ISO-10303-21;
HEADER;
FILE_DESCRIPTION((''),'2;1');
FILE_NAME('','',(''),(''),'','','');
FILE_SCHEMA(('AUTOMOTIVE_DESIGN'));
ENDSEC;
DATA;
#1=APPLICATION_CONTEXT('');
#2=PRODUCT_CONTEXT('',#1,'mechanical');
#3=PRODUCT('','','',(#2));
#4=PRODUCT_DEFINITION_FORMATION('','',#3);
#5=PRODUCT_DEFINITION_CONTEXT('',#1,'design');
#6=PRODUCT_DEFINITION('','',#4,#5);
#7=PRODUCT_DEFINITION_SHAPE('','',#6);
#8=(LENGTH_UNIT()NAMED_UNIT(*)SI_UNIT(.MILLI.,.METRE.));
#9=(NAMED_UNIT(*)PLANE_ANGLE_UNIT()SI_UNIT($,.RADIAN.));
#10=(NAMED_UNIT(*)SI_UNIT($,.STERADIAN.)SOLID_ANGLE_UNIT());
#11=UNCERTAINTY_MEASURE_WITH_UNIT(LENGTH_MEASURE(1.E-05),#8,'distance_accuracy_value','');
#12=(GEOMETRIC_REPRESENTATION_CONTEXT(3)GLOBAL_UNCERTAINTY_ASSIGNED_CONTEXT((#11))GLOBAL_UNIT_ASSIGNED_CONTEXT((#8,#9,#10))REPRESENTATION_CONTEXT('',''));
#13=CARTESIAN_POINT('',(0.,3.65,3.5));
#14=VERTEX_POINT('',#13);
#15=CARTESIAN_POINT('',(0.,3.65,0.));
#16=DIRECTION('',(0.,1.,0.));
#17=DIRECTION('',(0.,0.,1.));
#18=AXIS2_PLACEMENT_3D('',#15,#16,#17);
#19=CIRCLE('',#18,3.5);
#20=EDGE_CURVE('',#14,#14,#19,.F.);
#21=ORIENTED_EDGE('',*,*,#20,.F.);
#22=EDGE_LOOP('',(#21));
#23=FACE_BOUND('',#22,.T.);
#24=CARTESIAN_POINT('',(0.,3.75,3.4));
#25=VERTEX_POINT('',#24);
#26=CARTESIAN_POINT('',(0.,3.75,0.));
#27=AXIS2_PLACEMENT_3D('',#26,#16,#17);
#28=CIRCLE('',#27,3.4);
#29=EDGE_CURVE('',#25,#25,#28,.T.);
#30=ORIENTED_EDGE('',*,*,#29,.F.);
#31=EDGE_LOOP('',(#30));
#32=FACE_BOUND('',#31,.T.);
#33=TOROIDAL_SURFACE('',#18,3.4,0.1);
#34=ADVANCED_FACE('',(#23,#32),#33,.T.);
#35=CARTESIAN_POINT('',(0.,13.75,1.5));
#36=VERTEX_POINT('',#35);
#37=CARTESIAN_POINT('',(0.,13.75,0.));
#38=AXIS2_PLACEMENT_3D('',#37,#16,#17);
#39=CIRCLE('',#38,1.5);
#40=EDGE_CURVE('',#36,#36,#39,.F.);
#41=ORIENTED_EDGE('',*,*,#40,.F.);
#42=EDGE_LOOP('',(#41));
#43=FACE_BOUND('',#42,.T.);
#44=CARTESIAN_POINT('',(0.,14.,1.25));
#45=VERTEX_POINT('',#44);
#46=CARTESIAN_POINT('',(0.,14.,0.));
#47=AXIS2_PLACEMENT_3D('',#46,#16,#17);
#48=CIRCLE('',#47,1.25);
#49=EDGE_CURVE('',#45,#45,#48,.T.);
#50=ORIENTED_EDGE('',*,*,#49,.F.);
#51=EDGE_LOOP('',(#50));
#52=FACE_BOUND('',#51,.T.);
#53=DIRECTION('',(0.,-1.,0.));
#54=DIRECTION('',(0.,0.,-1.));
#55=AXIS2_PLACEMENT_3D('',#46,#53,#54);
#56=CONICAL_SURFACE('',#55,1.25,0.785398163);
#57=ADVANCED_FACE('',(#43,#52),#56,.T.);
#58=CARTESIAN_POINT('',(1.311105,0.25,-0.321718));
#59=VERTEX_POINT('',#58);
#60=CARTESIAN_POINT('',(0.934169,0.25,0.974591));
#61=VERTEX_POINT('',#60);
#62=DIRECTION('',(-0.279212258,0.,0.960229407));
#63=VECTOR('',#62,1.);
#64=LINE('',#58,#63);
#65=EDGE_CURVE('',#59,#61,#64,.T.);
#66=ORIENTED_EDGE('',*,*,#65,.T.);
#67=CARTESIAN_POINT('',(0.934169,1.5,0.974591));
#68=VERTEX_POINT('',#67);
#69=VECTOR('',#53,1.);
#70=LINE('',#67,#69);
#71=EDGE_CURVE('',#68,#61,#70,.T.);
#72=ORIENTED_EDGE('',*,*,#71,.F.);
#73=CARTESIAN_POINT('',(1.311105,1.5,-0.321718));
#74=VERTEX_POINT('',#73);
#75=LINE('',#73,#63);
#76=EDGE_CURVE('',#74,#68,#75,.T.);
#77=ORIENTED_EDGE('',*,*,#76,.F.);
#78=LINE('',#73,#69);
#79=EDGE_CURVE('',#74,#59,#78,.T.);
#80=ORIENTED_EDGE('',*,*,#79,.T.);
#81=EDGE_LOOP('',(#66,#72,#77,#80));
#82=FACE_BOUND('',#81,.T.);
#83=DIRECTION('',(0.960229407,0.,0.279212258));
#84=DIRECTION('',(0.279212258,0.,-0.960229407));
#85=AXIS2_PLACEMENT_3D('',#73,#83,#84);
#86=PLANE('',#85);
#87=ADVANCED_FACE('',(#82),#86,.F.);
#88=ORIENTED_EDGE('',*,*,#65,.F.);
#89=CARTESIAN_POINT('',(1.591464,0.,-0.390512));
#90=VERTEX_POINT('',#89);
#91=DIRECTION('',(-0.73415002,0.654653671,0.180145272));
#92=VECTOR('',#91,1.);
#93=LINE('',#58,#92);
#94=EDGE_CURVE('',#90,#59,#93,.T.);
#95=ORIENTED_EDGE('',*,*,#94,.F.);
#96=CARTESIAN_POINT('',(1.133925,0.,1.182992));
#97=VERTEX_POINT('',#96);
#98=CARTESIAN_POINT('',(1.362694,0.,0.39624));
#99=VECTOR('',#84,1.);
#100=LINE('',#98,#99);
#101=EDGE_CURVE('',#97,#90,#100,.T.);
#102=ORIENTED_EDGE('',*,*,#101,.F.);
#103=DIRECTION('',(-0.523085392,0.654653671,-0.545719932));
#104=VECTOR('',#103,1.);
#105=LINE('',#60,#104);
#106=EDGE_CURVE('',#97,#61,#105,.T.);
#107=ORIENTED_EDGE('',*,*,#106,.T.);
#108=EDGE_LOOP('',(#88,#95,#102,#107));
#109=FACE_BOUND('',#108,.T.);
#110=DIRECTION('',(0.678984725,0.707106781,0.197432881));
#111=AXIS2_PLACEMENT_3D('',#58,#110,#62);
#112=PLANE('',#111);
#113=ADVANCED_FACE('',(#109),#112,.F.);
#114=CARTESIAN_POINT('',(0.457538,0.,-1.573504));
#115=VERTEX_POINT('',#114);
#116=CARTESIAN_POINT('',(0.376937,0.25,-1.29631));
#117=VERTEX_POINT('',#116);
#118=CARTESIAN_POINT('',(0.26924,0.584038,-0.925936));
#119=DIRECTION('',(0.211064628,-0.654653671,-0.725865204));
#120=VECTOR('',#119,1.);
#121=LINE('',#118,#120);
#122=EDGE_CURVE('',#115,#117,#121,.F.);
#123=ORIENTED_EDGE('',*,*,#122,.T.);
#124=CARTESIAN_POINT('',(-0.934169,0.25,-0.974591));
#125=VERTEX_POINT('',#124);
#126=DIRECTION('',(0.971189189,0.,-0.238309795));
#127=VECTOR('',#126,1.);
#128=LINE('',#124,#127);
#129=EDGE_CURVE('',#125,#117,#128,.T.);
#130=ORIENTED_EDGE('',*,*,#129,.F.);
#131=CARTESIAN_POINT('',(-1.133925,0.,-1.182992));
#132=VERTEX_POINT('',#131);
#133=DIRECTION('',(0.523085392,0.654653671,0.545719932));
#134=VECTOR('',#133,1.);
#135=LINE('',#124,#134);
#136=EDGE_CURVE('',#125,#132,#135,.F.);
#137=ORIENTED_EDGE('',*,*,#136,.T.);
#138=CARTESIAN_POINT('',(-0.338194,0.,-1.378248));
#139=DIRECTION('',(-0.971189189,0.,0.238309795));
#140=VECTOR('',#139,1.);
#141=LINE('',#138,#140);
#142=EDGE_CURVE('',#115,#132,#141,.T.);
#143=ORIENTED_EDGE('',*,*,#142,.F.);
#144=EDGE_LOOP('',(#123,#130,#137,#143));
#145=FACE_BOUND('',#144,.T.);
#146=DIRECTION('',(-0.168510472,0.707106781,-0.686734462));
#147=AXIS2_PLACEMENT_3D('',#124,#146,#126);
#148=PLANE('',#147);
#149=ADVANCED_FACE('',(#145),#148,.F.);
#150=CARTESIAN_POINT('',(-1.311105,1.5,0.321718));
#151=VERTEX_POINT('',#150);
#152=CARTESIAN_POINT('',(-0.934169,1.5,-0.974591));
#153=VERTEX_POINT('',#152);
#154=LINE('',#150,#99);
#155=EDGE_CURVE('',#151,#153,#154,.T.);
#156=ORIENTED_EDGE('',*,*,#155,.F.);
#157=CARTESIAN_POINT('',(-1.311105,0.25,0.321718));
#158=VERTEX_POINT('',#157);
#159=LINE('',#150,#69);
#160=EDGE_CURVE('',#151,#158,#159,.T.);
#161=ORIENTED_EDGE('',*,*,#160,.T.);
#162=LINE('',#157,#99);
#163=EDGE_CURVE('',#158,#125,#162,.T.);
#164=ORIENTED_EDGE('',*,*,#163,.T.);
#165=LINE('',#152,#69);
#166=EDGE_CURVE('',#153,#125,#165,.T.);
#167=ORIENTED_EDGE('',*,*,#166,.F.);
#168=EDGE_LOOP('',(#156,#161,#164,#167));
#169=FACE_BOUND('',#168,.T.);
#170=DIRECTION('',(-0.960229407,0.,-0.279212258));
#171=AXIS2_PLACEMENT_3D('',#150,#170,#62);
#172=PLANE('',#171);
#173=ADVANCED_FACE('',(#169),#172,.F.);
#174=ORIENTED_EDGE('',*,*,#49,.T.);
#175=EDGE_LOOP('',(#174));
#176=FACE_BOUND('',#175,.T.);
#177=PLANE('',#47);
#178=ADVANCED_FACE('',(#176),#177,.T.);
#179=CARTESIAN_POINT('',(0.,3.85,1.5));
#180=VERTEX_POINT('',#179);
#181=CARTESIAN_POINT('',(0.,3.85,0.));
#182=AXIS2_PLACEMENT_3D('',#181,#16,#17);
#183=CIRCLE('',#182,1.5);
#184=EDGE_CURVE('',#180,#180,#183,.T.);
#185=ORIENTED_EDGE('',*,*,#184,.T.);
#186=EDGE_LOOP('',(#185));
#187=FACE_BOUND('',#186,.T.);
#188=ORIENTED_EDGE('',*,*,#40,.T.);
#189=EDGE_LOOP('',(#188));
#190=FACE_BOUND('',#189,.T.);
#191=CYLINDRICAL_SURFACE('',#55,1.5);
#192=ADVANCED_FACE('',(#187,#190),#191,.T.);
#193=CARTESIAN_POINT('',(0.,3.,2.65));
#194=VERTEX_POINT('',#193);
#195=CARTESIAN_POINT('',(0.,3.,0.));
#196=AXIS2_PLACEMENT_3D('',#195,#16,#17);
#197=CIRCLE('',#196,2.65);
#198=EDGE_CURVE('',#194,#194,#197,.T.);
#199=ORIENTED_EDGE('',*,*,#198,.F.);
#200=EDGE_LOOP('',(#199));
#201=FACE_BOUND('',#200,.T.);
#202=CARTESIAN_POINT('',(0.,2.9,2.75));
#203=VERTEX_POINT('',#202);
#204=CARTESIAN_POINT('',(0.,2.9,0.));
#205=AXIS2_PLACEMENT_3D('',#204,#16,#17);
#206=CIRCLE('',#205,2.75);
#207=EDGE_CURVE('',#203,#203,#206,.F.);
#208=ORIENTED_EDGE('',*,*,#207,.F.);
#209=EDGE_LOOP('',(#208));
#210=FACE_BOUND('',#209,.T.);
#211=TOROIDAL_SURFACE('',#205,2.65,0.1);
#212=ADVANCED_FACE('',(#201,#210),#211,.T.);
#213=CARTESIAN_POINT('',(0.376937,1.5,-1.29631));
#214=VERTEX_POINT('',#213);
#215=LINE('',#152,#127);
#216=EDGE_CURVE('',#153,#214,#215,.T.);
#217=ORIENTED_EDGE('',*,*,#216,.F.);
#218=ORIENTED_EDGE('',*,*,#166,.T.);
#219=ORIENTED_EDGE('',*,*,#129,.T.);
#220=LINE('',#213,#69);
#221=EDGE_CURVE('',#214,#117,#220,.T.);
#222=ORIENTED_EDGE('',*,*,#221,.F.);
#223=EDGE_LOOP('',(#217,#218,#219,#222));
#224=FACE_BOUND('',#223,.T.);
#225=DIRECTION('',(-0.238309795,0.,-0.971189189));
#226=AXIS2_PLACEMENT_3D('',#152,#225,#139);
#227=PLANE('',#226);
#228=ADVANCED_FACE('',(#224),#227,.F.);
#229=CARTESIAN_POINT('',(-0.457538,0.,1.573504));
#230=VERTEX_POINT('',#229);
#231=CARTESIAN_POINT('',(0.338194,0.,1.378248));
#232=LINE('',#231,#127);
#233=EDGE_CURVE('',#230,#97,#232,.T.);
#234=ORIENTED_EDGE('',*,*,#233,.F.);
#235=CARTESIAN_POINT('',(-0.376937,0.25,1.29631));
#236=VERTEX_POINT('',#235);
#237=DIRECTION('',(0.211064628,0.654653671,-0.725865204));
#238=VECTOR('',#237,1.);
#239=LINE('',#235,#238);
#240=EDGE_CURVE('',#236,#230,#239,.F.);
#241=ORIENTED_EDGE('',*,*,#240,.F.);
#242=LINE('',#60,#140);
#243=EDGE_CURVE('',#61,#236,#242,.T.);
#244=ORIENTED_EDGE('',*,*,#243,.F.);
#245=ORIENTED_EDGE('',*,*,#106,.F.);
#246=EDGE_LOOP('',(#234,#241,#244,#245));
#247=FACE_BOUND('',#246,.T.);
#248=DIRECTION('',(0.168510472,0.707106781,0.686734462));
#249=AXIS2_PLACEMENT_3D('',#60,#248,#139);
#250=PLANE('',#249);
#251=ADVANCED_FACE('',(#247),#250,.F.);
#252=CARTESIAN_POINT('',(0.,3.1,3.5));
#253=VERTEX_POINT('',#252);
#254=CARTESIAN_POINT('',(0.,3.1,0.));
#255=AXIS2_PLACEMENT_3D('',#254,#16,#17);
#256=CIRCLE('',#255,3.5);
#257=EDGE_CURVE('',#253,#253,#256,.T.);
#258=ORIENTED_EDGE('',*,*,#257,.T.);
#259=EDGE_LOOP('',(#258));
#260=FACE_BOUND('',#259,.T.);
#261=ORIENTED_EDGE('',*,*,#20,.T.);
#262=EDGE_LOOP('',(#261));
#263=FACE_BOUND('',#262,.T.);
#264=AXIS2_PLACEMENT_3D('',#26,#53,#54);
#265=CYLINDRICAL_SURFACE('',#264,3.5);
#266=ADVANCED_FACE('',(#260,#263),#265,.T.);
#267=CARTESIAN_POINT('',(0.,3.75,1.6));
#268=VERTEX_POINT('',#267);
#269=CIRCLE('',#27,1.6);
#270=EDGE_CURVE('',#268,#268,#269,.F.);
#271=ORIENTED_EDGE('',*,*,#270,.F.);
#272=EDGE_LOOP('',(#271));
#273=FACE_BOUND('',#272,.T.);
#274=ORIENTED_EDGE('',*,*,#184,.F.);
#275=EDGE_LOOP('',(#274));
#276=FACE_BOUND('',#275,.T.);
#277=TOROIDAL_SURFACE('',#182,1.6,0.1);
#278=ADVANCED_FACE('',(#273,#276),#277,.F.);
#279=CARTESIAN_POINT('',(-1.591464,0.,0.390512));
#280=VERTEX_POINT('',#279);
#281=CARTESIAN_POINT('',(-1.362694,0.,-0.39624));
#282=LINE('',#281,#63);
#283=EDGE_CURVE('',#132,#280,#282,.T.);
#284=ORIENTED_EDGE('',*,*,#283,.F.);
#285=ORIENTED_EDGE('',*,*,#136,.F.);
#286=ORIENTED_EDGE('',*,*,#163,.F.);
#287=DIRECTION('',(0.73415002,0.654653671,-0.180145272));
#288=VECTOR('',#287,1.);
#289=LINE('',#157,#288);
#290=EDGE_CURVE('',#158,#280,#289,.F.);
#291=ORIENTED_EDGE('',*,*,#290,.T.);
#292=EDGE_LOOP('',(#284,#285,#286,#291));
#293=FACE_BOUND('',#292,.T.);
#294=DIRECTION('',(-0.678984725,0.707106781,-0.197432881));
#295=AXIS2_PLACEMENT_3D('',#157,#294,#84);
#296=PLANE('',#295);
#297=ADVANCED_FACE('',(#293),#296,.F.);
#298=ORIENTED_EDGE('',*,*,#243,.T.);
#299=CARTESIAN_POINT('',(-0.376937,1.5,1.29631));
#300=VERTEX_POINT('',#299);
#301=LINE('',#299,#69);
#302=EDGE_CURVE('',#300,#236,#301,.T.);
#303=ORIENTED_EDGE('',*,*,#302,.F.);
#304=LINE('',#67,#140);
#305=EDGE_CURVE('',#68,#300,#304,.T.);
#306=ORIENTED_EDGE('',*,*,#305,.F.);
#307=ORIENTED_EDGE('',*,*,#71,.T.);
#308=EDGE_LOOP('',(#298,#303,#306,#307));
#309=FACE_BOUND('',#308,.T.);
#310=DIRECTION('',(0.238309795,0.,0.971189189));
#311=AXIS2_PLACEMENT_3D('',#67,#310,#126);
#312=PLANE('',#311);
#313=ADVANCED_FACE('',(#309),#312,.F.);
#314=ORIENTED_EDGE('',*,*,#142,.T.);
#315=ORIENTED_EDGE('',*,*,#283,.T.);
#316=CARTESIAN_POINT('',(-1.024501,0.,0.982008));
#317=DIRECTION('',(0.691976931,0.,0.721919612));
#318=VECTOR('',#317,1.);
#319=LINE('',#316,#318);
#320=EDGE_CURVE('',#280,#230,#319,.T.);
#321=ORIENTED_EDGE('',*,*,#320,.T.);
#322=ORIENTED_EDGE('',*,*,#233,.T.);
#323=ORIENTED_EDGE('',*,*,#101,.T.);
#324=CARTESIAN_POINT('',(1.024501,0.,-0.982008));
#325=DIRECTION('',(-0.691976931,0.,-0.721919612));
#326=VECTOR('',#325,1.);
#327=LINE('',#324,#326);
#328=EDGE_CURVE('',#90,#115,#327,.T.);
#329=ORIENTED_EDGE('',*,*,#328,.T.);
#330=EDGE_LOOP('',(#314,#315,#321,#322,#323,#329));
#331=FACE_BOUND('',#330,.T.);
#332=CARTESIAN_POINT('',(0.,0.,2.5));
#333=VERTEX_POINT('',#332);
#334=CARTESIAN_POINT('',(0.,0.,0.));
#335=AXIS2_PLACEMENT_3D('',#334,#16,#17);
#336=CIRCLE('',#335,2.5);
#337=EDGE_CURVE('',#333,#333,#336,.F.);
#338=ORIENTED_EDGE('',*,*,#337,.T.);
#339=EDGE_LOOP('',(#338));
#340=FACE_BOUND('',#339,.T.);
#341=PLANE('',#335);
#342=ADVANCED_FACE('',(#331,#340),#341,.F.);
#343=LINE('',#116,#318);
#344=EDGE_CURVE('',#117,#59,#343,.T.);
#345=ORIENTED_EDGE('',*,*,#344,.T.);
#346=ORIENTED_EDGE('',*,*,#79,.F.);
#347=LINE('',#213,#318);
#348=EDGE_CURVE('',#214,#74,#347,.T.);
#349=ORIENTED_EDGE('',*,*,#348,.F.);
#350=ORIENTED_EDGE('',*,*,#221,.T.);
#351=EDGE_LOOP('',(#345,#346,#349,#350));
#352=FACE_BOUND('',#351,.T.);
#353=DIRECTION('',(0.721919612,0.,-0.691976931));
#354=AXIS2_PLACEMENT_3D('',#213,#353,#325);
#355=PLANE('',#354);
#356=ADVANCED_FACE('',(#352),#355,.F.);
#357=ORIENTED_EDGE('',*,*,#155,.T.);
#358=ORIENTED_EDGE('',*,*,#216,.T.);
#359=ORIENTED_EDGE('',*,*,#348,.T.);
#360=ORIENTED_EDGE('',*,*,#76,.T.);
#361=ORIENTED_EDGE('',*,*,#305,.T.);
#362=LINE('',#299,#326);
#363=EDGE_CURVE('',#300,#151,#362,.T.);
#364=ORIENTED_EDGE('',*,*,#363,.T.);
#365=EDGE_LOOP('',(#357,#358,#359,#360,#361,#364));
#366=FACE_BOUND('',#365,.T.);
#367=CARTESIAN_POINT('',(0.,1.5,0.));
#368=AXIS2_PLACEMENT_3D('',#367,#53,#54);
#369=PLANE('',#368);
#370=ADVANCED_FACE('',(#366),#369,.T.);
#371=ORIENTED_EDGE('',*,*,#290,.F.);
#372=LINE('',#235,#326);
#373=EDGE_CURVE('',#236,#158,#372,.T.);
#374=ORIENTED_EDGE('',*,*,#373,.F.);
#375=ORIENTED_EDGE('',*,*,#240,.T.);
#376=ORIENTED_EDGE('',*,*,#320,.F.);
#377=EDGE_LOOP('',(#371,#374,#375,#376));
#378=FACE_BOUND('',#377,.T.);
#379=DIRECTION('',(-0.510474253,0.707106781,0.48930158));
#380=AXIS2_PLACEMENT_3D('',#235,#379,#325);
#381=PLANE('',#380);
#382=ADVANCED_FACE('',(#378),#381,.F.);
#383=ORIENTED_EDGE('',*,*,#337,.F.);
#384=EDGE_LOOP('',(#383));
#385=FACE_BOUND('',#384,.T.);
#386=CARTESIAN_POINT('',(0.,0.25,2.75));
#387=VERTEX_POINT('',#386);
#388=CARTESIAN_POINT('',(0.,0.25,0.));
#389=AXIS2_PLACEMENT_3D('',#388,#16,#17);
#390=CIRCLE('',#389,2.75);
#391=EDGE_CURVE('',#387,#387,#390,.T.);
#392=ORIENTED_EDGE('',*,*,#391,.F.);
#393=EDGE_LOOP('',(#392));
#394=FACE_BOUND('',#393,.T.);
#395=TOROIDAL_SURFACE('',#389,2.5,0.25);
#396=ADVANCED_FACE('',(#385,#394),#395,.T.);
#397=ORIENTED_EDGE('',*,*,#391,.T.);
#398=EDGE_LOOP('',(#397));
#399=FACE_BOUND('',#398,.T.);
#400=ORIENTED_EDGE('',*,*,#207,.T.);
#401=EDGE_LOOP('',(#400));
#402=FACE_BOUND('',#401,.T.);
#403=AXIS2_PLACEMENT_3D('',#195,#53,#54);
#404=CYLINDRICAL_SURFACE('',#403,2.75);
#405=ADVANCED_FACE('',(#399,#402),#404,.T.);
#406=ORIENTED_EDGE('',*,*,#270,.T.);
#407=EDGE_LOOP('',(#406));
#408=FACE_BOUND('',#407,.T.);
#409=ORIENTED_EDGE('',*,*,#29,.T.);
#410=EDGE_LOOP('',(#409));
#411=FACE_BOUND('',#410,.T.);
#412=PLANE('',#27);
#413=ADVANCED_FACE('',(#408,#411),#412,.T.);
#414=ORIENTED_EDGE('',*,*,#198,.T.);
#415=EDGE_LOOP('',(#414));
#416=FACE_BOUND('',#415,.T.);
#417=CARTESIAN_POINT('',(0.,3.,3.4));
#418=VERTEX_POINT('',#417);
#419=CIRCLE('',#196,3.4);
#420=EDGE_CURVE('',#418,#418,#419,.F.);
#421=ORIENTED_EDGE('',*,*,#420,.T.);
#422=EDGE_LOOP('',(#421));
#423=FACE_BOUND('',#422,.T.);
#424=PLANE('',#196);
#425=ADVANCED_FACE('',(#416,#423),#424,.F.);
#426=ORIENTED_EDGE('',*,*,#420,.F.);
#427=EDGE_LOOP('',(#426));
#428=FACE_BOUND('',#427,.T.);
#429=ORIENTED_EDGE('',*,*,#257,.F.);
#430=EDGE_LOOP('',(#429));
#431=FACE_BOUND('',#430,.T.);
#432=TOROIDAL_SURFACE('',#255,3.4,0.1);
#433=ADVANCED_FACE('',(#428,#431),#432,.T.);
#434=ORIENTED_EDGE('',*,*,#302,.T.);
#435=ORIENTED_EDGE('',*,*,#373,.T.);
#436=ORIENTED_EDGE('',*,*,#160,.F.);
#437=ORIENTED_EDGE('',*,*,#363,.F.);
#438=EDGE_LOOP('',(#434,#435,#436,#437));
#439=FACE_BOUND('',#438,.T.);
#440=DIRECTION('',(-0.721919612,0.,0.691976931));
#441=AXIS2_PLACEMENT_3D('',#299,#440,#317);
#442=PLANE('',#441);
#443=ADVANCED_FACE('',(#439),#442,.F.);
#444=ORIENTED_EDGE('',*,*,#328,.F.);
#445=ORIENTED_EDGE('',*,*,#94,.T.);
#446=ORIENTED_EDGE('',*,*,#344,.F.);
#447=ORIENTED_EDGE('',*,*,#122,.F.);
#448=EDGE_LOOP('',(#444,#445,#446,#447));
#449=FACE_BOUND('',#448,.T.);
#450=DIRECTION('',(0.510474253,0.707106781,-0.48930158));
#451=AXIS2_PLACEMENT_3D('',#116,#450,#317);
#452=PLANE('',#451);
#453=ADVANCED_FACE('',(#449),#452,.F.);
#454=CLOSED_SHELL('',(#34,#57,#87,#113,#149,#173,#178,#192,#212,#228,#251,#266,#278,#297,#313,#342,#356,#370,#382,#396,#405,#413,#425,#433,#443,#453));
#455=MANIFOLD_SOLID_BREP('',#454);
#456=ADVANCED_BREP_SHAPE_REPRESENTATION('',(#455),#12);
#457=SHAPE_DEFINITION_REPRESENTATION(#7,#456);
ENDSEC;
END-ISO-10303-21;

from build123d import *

# Parameters (mm, degrees)
SKETCH1_R           = 2.75
BOSS_EXTRUDE1_DEPTH = 3
SKETCH2_R           = 1.5
BOSS_EXTRUDE2_DEPTH = 11
CUT_EXTRUDE1_DEPTH  = 1.5
CHAMFER1_SIZE       = 0.25
FILLET1_R           = 0.25
CHAMFER2_SIZE       = 0.25
FILLET2_R           = 0.1
SKETCH4_R           = 3.5
SKETCH4_R_2         = 1.5
BOSS_EXTRUDE3_DEPTH = 0.75
FILLET3_R           = 0.1


with BuildPart() as part:
    # Sketch1 → Boss-Extrude1 (new body)
    with BuildSketch(Plane(origin=(0, 0, 0), x_dir=(1, 0, 0), z_dir=(0, 1, 0))):
        with Locations(Location((0, 0, 0), (0, 0, 270))):
            Circle(SKETCH1_R)
    extrude(amount=BOSS_EXTRUDE1_DEPTH)

    # Sketch2 → Boss-Extrude2 (add)
    with BuildSketch(Plane(origin=(0, 3, 0), x_dir=(1, 0, 0), z_dir=(0, 1, 0))):
        with Locations(Location((0, 0, 0), (0, 0, 270))):
            Circle(SKETCH2_R)
    extrude(amount=BOSS_EXTRUDE2_DEPTH)

    # Sketch3 → Cut-Extrude1 (cut)
    with BuildSketch(Plane.XZ):
        Polygon((0.934168857, 0.974591477), (-0.376936549, 1.2963097), (-1.311105406, 0.321718223), (-0.934168857, -0.974591477), (0.376936549, -1.2963097), (1.311105406, -0.321718223), align=None)
    extrude(amount=-CUT_EXTRUDE1_DEPTH, mode=Mode.SUBTRACT)

    # Chamfer1
    chamfer1_edges = [part.edges().sort_by_distance(p)[0] for p in [
        (1.122637131, 0, 0.326436627),
        (0.278616154, 0, 1.135450588),
        (-0.844020977, 0, 0.809013962),
        (-1.122637131, 0, -0.326436627),
        (-0.278616154, 0, -1.135450588),
        (0.844020977, 0, -0.809013962),
    ]]
    chamfer(chamfer1_edges, length=CHAMFER1_SIZE)

    # Fillet1
    fillet1_edges = [part.edges().sort_by_distance(p)[0] for p in [
        (0, 0, -2.75),
    ]]
    fillet(fillet1_edges, radius=FILLET1_R)

    # Chamfer2
    chamfer2_edges = [part.edges().sort_by_distance(p)[0] for p in [
        (0, 14, -1.5),
    ]]
    chamfer(chamfer2_edges, length=CHAMFER2_SIZE)

    # Fillet2
    fillet2_edges = [part.edges().sort_by_distance(p)[0] for p in [
        (0, 3, -2.75),
    ]]
    fillet(fillet2_edges, radius=FILLET2_R)

    # Sketch4 → Boss-Extrude3 (add)
    with BuildSketch(Plane(origin=(0, 3, 0), x_dir=(1, 0, 0), z_dir=(0, 1, 0))):
        with Locations(Location((0, 0, 0), (0, 0, 270))):
            Circle(SKETCH4_R)
        with Locations(Location((0, 0, 0), (0, 0, 270))):
            Circle(SKETCH4_R_2, mode=Mode.SUBTRACT)
    extrude(amount=BOSS_EXTRUDE3_DEPTH)

    # Fillet3
    fillet3_edges = [part.edges().sort_by_distance(p)[0] for p in [
        (0, 3.75, -3.5),
        (0, 3, -3.5),
        (0, 3.75, -1.5),
    ]]
    fillet(fillet3_edges, radius=FILLET3_R)


solid = part.part
